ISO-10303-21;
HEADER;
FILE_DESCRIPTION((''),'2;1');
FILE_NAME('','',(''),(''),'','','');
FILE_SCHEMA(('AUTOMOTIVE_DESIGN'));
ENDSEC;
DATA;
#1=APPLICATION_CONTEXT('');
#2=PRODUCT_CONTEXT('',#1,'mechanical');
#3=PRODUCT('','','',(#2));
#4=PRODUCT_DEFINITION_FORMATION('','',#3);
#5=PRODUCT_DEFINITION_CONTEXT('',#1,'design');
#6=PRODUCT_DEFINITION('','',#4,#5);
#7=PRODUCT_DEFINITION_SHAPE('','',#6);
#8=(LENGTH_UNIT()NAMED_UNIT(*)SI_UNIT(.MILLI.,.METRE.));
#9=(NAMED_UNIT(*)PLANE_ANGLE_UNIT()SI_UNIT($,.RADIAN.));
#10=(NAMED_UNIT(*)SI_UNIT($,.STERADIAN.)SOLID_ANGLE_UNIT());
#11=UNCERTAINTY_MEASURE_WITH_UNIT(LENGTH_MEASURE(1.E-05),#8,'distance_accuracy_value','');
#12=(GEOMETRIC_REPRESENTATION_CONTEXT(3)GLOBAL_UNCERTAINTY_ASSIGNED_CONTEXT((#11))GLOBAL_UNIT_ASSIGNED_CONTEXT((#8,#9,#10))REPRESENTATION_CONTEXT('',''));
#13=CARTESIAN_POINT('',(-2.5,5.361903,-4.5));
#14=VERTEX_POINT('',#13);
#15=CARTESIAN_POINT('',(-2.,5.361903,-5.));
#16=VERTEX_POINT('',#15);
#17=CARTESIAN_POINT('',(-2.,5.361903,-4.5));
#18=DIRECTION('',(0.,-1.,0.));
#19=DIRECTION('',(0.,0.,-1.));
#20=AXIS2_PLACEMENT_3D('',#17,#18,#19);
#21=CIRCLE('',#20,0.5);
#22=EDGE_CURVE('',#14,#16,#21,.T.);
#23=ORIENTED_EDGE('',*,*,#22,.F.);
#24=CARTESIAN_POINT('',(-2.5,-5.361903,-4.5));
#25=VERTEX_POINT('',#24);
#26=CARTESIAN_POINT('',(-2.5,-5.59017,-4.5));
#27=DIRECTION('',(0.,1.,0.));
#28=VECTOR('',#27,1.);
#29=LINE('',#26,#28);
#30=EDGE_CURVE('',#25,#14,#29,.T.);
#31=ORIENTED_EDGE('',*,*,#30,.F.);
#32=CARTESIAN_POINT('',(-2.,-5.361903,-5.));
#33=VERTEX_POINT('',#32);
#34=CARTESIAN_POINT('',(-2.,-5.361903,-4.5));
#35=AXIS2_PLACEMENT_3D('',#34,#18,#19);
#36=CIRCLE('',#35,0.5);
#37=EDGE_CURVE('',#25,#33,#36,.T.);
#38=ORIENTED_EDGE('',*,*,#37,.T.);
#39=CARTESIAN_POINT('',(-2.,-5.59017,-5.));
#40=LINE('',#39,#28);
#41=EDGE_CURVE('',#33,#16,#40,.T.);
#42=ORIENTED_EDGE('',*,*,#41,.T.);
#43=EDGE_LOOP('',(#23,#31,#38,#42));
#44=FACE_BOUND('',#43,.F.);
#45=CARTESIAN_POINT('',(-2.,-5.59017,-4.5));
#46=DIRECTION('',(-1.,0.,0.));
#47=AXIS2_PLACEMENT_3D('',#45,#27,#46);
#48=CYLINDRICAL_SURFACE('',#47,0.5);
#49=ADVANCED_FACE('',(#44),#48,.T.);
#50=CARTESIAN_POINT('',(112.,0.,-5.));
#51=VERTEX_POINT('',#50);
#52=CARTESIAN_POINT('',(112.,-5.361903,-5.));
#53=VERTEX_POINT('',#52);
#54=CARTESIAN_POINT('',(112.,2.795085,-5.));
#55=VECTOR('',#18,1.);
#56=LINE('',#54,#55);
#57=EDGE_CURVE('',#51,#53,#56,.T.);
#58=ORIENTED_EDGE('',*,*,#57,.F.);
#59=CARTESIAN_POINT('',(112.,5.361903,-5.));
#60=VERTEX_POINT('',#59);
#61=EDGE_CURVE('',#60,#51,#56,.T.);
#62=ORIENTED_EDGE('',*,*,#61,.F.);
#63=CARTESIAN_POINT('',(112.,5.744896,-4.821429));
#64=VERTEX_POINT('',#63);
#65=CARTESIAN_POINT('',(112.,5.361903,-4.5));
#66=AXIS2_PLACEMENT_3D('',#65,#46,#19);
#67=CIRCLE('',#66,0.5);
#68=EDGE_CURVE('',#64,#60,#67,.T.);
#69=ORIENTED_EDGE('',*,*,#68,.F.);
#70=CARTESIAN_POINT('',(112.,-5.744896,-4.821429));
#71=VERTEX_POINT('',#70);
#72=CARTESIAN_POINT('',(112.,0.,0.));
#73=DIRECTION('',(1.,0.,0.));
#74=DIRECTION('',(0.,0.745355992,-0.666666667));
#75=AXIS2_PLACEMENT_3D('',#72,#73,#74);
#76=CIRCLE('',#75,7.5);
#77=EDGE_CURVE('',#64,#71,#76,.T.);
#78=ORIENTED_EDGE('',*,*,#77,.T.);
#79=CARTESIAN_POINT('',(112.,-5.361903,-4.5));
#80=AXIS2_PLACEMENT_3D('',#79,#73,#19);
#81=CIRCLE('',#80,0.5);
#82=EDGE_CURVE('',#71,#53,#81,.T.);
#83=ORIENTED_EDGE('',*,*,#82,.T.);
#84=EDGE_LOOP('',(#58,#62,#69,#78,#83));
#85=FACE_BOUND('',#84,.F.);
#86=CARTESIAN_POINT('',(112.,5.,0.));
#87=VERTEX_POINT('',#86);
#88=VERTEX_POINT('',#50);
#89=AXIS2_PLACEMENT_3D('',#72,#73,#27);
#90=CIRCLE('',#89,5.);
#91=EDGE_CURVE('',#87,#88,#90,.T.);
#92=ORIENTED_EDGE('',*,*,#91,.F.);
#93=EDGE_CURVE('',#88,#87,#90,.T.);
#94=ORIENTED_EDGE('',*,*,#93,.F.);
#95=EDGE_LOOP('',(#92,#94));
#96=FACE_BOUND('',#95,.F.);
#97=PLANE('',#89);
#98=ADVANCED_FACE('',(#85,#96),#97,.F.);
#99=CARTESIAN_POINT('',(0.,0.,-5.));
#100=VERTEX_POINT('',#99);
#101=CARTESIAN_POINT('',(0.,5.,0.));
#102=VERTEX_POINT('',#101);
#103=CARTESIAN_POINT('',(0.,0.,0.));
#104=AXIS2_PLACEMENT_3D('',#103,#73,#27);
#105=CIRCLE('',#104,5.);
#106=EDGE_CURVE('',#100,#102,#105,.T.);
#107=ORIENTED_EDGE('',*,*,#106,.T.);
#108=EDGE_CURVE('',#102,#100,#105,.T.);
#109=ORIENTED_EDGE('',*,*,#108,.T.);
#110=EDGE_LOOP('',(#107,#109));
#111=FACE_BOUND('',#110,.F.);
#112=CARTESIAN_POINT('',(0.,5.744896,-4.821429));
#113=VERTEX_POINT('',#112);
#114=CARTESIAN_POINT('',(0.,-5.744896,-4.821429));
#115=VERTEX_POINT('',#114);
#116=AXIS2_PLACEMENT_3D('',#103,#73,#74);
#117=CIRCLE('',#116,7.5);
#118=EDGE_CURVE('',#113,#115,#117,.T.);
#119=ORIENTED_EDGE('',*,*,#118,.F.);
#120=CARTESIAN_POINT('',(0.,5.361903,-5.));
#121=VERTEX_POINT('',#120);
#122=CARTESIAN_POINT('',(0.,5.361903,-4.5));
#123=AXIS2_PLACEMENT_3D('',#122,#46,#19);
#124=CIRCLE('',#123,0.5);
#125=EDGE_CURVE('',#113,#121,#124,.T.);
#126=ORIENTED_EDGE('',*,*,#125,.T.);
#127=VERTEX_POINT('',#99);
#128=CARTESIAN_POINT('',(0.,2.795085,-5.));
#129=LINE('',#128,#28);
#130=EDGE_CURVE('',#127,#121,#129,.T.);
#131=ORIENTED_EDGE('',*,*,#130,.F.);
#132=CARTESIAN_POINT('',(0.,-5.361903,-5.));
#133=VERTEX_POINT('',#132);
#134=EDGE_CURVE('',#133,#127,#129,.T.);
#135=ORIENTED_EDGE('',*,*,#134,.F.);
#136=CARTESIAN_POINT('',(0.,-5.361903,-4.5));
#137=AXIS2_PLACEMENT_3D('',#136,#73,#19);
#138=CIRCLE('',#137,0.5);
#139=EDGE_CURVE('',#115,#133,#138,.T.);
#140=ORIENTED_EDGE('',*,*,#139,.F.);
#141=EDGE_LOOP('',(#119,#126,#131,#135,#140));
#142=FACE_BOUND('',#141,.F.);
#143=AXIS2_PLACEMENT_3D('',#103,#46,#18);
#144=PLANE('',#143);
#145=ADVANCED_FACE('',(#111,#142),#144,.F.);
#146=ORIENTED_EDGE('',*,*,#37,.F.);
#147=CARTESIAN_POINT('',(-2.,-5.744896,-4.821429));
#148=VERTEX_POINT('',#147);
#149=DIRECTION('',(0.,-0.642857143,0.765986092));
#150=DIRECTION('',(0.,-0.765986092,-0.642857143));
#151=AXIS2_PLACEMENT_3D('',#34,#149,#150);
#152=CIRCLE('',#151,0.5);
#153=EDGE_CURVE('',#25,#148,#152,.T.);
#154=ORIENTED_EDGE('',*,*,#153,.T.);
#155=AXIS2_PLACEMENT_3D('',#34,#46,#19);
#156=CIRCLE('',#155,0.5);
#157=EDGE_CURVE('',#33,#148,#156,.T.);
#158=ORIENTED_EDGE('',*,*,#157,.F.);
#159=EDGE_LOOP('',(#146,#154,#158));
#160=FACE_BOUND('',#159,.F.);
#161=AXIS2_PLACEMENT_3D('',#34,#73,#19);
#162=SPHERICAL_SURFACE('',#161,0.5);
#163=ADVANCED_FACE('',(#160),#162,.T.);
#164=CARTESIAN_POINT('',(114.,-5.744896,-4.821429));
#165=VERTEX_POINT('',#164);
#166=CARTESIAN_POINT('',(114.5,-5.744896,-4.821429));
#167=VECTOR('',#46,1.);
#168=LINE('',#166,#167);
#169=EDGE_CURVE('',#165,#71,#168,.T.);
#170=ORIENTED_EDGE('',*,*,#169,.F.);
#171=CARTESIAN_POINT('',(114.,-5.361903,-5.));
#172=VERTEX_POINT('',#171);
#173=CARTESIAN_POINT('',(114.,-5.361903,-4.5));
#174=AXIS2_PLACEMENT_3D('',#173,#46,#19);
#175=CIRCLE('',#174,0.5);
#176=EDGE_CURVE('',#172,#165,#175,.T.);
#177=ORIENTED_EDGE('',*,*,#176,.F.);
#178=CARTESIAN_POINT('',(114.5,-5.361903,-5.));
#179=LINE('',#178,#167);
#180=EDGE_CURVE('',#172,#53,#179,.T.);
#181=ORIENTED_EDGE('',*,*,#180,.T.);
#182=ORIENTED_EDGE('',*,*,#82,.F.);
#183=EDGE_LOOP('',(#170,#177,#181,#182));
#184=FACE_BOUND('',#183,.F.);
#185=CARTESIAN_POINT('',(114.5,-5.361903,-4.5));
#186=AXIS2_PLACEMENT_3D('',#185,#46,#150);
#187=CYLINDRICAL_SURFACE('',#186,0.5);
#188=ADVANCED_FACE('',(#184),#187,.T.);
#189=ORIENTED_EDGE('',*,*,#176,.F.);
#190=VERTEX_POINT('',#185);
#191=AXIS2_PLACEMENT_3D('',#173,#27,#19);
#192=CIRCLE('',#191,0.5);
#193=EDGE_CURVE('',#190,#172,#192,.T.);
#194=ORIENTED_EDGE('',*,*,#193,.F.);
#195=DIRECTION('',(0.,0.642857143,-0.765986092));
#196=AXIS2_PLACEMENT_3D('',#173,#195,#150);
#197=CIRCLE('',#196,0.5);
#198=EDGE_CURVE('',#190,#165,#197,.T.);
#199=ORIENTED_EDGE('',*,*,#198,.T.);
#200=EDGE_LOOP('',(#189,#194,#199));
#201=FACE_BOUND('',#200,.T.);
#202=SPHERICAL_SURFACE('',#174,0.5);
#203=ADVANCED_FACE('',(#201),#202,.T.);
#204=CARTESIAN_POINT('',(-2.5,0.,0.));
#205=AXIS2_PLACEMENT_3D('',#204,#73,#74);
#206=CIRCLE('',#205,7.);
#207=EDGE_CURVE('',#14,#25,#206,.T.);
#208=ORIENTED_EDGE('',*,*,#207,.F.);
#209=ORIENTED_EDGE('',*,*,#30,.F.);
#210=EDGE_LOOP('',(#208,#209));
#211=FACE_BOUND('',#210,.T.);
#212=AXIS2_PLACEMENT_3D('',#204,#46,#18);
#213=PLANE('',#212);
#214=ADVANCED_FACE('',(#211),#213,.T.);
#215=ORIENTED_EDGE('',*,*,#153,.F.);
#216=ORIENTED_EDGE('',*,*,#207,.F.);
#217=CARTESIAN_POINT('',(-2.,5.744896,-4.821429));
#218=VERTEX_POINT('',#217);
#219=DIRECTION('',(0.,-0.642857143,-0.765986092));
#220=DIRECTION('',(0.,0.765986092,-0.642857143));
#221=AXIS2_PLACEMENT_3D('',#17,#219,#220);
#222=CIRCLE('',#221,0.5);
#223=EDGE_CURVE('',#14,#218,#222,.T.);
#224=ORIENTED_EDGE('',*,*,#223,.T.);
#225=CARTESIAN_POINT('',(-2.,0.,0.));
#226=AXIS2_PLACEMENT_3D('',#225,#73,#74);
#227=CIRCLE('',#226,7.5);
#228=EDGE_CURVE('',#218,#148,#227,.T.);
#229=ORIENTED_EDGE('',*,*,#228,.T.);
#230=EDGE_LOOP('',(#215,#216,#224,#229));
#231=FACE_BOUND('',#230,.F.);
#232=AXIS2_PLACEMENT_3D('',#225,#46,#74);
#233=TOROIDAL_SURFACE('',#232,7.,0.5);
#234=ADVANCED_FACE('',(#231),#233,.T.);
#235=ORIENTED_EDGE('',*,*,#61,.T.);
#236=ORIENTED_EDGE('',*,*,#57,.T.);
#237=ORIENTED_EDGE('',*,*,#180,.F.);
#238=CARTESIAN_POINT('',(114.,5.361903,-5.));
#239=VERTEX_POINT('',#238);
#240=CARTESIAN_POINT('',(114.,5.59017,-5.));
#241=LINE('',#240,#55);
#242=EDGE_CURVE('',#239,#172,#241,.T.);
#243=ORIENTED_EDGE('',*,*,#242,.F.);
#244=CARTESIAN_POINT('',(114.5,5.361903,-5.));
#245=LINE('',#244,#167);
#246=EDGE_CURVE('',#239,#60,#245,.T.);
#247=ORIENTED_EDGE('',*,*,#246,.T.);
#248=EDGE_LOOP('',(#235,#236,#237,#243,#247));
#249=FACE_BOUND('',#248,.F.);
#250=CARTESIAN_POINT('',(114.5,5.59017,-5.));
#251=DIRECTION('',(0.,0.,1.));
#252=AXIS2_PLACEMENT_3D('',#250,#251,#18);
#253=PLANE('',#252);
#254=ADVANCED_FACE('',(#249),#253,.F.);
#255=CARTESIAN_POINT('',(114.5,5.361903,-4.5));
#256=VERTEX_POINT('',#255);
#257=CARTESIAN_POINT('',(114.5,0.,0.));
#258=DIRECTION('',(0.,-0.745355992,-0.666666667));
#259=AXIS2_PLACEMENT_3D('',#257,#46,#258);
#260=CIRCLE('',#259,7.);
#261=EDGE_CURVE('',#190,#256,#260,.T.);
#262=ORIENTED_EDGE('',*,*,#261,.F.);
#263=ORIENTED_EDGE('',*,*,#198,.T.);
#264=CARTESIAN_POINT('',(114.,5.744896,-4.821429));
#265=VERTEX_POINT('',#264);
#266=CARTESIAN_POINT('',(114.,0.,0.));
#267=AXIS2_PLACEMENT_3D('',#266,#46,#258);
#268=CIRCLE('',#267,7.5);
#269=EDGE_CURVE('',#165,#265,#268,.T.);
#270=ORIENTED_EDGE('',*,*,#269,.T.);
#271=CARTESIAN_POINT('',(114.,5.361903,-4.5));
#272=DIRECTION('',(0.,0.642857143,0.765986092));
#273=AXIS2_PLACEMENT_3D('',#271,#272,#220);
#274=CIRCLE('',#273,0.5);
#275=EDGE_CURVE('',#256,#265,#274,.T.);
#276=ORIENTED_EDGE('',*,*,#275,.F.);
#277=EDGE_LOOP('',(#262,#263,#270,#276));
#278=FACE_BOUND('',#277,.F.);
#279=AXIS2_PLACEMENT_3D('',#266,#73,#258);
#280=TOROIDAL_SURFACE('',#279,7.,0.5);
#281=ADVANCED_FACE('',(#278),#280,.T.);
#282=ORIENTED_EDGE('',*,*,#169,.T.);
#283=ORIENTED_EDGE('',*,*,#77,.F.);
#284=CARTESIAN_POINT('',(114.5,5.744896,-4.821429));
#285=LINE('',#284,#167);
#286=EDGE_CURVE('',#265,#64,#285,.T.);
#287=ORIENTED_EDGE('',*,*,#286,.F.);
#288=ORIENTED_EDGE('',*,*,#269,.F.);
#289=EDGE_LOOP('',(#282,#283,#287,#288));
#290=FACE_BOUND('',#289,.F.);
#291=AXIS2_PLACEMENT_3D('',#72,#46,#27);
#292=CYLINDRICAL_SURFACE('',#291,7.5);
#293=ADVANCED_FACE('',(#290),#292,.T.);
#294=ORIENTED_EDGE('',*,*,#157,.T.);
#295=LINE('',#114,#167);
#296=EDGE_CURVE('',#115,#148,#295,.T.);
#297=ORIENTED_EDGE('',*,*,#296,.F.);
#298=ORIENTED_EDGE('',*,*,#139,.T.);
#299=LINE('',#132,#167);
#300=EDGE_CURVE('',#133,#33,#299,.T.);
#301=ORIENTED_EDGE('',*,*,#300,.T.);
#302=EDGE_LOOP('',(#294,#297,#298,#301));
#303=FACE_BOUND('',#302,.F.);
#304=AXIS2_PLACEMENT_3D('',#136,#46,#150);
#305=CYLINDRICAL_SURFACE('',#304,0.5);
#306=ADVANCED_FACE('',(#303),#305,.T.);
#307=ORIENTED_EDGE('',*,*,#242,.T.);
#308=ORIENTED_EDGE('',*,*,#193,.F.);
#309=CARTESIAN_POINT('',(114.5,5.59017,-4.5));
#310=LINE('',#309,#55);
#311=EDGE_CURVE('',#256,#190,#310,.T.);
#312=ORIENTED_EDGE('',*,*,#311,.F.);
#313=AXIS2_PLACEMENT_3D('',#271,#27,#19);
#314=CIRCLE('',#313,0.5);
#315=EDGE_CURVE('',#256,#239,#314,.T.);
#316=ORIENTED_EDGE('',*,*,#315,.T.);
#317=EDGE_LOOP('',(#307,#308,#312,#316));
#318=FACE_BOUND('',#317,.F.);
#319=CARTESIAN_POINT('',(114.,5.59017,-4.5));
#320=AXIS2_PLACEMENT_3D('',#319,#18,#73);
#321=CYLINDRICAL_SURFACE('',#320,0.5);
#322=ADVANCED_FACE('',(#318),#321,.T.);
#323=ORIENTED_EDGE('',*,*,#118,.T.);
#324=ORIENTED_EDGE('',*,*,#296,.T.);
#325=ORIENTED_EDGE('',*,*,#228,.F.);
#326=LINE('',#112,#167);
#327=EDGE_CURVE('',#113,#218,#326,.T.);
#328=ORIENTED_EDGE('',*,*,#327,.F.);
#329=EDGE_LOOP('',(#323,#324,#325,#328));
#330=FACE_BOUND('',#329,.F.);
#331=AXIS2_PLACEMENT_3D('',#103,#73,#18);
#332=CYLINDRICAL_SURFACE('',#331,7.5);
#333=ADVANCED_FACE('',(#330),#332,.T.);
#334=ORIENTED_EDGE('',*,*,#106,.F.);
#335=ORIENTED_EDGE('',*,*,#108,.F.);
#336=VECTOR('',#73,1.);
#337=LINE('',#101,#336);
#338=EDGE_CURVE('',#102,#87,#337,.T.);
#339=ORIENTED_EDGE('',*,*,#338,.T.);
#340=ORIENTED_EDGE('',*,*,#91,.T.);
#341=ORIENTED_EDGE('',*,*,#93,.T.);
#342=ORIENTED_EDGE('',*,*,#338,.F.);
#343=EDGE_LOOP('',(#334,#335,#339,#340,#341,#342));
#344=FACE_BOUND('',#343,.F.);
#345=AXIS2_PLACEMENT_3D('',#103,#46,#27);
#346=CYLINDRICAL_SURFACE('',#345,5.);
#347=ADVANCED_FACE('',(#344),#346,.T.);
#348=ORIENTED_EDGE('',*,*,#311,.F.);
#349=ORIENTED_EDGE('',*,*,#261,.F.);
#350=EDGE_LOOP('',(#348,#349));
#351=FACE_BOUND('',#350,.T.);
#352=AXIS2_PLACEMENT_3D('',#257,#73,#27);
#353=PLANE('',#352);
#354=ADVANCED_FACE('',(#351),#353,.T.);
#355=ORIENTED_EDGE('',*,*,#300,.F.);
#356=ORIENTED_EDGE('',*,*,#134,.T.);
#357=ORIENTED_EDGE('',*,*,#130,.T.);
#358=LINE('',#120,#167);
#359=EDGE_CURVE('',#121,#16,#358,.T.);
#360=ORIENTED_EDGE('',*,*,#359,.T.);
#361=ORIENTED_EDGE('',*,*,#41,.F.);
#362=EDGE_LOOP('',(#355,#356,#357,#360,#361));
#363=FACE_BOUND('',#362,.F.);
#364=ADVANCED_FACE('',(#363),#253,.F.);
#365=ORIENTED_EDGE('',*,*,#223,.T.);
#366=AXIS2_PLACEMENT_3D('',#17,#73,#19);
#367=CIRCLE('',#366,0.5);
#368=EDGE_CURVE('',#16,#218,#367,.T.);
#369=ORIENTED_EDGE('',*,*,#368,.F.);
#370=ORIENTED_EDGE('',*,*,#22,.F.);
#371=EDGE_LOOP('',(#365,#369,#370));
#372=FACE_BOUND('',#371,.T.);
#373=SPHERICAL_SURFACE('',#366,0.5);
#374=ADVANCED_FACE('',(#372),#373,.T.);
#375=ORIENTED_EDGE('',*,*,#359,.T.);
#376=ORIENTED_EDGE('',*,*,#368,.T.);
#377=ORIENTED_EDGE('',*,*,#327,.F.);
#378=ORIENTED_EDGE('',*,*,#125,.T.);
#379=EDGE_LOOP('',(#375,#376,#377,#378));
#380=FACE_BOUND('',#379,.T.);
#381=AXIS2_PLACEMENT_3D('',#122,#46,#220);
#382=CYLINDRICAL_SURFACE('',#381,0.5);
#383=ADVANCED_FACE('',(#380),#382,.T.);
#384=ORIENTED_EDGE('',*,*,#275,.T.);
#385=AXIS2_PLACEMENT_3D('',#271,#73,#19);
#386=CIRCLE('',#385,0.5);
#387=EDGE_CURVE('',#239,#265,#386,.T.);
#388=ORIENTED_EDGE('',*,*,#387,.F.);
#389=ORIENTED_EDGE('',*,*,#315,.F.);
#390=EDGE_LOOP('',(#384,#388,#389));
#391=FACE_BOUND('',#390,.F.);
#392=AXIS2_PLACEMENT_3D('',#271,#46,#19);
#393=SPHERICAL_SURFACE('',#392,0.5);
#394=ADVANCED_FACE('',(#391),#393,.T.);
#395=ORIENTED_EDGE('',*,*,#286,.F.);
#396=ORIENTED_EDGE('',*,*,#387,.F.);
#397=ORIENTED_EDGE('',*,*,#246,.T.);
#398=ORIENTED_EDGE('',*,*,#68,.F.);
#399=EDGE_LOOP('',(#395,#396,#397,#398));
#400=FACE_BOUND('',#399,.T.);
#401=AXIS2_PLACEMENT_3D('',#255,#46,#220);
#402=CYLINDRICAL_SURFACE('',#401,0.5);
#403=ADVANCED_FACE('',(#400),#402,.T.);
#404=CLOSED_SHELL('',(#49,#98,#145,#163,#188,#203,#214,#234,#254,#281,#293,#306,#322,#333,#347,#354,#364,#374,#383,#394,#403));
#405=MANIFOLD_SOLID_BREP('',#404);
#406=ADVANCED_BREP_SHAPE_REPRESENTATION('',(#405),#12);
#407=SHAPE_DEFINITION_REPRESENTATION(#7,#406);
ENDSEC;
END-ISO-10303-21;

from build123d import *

# Parameters (mm, degrees)
F0_R     = 5
F1_DEPTH = 112
F2_R     = 7.5
F3_DEPTH = 2.5
F4_R     = 7.5
F5_DEPTH = 2.5
F7_DEPTH = 117.001
F8_R     = 0.5


with BuildPart() as f1:
    # F0 (on Right) → F1 (new body)
    with BuildSketch(Plane.YZ):
        Circle(F0_R)
    extrude(amount=F1_DEPTH)

    # F2 (on face) → F3 (join)
    with BuildSketch(Plane(origin=(0, 0, 0), x_dir=(0, -1, 0), z_dir=(-1, 0, 0))):
        Circle(F2_R)
    extrude(amount=F3_DEPTH)

    # F4 (on face) → F5 (join)
    with BuildSketch(Plane.YZ.offset(112)):
        Circle(F4_R)
    extrude(amount=F5_DEPTH)

    # F6 (on face) → F7 (cut, through all)
    with BuildSketch(Plane.YZ.offset(114.5)):
        with BuildLine():
            Line((5.5901699437, -5), (-5.5901699437, -5))
            ThreePointArc((-5.5901699437, -5), (0, -7.5), (5.5901699437, -5))
        make_face()
    extrude(amount=-F7_DEPTH, mode=Mode.SUBTRACT)

    # F8
    f8_edges = [f1.edges().sort_by_distance(p)[0] for p in [
        (-2.5, 0, -5),
        (-2.5, 0, 7.5),
        (114.5, 0, -5),
        (114.5, 0, 7.5),
        (113.25, -5.59017, -5),
        (113.25, 5.59017, -5),
        (-1.25, -5.59017, -5),
        (-1.25, 5.59017, -5),
    ]]
    fillet(f8_edges, radius=F8_R)


solid = f1.part
